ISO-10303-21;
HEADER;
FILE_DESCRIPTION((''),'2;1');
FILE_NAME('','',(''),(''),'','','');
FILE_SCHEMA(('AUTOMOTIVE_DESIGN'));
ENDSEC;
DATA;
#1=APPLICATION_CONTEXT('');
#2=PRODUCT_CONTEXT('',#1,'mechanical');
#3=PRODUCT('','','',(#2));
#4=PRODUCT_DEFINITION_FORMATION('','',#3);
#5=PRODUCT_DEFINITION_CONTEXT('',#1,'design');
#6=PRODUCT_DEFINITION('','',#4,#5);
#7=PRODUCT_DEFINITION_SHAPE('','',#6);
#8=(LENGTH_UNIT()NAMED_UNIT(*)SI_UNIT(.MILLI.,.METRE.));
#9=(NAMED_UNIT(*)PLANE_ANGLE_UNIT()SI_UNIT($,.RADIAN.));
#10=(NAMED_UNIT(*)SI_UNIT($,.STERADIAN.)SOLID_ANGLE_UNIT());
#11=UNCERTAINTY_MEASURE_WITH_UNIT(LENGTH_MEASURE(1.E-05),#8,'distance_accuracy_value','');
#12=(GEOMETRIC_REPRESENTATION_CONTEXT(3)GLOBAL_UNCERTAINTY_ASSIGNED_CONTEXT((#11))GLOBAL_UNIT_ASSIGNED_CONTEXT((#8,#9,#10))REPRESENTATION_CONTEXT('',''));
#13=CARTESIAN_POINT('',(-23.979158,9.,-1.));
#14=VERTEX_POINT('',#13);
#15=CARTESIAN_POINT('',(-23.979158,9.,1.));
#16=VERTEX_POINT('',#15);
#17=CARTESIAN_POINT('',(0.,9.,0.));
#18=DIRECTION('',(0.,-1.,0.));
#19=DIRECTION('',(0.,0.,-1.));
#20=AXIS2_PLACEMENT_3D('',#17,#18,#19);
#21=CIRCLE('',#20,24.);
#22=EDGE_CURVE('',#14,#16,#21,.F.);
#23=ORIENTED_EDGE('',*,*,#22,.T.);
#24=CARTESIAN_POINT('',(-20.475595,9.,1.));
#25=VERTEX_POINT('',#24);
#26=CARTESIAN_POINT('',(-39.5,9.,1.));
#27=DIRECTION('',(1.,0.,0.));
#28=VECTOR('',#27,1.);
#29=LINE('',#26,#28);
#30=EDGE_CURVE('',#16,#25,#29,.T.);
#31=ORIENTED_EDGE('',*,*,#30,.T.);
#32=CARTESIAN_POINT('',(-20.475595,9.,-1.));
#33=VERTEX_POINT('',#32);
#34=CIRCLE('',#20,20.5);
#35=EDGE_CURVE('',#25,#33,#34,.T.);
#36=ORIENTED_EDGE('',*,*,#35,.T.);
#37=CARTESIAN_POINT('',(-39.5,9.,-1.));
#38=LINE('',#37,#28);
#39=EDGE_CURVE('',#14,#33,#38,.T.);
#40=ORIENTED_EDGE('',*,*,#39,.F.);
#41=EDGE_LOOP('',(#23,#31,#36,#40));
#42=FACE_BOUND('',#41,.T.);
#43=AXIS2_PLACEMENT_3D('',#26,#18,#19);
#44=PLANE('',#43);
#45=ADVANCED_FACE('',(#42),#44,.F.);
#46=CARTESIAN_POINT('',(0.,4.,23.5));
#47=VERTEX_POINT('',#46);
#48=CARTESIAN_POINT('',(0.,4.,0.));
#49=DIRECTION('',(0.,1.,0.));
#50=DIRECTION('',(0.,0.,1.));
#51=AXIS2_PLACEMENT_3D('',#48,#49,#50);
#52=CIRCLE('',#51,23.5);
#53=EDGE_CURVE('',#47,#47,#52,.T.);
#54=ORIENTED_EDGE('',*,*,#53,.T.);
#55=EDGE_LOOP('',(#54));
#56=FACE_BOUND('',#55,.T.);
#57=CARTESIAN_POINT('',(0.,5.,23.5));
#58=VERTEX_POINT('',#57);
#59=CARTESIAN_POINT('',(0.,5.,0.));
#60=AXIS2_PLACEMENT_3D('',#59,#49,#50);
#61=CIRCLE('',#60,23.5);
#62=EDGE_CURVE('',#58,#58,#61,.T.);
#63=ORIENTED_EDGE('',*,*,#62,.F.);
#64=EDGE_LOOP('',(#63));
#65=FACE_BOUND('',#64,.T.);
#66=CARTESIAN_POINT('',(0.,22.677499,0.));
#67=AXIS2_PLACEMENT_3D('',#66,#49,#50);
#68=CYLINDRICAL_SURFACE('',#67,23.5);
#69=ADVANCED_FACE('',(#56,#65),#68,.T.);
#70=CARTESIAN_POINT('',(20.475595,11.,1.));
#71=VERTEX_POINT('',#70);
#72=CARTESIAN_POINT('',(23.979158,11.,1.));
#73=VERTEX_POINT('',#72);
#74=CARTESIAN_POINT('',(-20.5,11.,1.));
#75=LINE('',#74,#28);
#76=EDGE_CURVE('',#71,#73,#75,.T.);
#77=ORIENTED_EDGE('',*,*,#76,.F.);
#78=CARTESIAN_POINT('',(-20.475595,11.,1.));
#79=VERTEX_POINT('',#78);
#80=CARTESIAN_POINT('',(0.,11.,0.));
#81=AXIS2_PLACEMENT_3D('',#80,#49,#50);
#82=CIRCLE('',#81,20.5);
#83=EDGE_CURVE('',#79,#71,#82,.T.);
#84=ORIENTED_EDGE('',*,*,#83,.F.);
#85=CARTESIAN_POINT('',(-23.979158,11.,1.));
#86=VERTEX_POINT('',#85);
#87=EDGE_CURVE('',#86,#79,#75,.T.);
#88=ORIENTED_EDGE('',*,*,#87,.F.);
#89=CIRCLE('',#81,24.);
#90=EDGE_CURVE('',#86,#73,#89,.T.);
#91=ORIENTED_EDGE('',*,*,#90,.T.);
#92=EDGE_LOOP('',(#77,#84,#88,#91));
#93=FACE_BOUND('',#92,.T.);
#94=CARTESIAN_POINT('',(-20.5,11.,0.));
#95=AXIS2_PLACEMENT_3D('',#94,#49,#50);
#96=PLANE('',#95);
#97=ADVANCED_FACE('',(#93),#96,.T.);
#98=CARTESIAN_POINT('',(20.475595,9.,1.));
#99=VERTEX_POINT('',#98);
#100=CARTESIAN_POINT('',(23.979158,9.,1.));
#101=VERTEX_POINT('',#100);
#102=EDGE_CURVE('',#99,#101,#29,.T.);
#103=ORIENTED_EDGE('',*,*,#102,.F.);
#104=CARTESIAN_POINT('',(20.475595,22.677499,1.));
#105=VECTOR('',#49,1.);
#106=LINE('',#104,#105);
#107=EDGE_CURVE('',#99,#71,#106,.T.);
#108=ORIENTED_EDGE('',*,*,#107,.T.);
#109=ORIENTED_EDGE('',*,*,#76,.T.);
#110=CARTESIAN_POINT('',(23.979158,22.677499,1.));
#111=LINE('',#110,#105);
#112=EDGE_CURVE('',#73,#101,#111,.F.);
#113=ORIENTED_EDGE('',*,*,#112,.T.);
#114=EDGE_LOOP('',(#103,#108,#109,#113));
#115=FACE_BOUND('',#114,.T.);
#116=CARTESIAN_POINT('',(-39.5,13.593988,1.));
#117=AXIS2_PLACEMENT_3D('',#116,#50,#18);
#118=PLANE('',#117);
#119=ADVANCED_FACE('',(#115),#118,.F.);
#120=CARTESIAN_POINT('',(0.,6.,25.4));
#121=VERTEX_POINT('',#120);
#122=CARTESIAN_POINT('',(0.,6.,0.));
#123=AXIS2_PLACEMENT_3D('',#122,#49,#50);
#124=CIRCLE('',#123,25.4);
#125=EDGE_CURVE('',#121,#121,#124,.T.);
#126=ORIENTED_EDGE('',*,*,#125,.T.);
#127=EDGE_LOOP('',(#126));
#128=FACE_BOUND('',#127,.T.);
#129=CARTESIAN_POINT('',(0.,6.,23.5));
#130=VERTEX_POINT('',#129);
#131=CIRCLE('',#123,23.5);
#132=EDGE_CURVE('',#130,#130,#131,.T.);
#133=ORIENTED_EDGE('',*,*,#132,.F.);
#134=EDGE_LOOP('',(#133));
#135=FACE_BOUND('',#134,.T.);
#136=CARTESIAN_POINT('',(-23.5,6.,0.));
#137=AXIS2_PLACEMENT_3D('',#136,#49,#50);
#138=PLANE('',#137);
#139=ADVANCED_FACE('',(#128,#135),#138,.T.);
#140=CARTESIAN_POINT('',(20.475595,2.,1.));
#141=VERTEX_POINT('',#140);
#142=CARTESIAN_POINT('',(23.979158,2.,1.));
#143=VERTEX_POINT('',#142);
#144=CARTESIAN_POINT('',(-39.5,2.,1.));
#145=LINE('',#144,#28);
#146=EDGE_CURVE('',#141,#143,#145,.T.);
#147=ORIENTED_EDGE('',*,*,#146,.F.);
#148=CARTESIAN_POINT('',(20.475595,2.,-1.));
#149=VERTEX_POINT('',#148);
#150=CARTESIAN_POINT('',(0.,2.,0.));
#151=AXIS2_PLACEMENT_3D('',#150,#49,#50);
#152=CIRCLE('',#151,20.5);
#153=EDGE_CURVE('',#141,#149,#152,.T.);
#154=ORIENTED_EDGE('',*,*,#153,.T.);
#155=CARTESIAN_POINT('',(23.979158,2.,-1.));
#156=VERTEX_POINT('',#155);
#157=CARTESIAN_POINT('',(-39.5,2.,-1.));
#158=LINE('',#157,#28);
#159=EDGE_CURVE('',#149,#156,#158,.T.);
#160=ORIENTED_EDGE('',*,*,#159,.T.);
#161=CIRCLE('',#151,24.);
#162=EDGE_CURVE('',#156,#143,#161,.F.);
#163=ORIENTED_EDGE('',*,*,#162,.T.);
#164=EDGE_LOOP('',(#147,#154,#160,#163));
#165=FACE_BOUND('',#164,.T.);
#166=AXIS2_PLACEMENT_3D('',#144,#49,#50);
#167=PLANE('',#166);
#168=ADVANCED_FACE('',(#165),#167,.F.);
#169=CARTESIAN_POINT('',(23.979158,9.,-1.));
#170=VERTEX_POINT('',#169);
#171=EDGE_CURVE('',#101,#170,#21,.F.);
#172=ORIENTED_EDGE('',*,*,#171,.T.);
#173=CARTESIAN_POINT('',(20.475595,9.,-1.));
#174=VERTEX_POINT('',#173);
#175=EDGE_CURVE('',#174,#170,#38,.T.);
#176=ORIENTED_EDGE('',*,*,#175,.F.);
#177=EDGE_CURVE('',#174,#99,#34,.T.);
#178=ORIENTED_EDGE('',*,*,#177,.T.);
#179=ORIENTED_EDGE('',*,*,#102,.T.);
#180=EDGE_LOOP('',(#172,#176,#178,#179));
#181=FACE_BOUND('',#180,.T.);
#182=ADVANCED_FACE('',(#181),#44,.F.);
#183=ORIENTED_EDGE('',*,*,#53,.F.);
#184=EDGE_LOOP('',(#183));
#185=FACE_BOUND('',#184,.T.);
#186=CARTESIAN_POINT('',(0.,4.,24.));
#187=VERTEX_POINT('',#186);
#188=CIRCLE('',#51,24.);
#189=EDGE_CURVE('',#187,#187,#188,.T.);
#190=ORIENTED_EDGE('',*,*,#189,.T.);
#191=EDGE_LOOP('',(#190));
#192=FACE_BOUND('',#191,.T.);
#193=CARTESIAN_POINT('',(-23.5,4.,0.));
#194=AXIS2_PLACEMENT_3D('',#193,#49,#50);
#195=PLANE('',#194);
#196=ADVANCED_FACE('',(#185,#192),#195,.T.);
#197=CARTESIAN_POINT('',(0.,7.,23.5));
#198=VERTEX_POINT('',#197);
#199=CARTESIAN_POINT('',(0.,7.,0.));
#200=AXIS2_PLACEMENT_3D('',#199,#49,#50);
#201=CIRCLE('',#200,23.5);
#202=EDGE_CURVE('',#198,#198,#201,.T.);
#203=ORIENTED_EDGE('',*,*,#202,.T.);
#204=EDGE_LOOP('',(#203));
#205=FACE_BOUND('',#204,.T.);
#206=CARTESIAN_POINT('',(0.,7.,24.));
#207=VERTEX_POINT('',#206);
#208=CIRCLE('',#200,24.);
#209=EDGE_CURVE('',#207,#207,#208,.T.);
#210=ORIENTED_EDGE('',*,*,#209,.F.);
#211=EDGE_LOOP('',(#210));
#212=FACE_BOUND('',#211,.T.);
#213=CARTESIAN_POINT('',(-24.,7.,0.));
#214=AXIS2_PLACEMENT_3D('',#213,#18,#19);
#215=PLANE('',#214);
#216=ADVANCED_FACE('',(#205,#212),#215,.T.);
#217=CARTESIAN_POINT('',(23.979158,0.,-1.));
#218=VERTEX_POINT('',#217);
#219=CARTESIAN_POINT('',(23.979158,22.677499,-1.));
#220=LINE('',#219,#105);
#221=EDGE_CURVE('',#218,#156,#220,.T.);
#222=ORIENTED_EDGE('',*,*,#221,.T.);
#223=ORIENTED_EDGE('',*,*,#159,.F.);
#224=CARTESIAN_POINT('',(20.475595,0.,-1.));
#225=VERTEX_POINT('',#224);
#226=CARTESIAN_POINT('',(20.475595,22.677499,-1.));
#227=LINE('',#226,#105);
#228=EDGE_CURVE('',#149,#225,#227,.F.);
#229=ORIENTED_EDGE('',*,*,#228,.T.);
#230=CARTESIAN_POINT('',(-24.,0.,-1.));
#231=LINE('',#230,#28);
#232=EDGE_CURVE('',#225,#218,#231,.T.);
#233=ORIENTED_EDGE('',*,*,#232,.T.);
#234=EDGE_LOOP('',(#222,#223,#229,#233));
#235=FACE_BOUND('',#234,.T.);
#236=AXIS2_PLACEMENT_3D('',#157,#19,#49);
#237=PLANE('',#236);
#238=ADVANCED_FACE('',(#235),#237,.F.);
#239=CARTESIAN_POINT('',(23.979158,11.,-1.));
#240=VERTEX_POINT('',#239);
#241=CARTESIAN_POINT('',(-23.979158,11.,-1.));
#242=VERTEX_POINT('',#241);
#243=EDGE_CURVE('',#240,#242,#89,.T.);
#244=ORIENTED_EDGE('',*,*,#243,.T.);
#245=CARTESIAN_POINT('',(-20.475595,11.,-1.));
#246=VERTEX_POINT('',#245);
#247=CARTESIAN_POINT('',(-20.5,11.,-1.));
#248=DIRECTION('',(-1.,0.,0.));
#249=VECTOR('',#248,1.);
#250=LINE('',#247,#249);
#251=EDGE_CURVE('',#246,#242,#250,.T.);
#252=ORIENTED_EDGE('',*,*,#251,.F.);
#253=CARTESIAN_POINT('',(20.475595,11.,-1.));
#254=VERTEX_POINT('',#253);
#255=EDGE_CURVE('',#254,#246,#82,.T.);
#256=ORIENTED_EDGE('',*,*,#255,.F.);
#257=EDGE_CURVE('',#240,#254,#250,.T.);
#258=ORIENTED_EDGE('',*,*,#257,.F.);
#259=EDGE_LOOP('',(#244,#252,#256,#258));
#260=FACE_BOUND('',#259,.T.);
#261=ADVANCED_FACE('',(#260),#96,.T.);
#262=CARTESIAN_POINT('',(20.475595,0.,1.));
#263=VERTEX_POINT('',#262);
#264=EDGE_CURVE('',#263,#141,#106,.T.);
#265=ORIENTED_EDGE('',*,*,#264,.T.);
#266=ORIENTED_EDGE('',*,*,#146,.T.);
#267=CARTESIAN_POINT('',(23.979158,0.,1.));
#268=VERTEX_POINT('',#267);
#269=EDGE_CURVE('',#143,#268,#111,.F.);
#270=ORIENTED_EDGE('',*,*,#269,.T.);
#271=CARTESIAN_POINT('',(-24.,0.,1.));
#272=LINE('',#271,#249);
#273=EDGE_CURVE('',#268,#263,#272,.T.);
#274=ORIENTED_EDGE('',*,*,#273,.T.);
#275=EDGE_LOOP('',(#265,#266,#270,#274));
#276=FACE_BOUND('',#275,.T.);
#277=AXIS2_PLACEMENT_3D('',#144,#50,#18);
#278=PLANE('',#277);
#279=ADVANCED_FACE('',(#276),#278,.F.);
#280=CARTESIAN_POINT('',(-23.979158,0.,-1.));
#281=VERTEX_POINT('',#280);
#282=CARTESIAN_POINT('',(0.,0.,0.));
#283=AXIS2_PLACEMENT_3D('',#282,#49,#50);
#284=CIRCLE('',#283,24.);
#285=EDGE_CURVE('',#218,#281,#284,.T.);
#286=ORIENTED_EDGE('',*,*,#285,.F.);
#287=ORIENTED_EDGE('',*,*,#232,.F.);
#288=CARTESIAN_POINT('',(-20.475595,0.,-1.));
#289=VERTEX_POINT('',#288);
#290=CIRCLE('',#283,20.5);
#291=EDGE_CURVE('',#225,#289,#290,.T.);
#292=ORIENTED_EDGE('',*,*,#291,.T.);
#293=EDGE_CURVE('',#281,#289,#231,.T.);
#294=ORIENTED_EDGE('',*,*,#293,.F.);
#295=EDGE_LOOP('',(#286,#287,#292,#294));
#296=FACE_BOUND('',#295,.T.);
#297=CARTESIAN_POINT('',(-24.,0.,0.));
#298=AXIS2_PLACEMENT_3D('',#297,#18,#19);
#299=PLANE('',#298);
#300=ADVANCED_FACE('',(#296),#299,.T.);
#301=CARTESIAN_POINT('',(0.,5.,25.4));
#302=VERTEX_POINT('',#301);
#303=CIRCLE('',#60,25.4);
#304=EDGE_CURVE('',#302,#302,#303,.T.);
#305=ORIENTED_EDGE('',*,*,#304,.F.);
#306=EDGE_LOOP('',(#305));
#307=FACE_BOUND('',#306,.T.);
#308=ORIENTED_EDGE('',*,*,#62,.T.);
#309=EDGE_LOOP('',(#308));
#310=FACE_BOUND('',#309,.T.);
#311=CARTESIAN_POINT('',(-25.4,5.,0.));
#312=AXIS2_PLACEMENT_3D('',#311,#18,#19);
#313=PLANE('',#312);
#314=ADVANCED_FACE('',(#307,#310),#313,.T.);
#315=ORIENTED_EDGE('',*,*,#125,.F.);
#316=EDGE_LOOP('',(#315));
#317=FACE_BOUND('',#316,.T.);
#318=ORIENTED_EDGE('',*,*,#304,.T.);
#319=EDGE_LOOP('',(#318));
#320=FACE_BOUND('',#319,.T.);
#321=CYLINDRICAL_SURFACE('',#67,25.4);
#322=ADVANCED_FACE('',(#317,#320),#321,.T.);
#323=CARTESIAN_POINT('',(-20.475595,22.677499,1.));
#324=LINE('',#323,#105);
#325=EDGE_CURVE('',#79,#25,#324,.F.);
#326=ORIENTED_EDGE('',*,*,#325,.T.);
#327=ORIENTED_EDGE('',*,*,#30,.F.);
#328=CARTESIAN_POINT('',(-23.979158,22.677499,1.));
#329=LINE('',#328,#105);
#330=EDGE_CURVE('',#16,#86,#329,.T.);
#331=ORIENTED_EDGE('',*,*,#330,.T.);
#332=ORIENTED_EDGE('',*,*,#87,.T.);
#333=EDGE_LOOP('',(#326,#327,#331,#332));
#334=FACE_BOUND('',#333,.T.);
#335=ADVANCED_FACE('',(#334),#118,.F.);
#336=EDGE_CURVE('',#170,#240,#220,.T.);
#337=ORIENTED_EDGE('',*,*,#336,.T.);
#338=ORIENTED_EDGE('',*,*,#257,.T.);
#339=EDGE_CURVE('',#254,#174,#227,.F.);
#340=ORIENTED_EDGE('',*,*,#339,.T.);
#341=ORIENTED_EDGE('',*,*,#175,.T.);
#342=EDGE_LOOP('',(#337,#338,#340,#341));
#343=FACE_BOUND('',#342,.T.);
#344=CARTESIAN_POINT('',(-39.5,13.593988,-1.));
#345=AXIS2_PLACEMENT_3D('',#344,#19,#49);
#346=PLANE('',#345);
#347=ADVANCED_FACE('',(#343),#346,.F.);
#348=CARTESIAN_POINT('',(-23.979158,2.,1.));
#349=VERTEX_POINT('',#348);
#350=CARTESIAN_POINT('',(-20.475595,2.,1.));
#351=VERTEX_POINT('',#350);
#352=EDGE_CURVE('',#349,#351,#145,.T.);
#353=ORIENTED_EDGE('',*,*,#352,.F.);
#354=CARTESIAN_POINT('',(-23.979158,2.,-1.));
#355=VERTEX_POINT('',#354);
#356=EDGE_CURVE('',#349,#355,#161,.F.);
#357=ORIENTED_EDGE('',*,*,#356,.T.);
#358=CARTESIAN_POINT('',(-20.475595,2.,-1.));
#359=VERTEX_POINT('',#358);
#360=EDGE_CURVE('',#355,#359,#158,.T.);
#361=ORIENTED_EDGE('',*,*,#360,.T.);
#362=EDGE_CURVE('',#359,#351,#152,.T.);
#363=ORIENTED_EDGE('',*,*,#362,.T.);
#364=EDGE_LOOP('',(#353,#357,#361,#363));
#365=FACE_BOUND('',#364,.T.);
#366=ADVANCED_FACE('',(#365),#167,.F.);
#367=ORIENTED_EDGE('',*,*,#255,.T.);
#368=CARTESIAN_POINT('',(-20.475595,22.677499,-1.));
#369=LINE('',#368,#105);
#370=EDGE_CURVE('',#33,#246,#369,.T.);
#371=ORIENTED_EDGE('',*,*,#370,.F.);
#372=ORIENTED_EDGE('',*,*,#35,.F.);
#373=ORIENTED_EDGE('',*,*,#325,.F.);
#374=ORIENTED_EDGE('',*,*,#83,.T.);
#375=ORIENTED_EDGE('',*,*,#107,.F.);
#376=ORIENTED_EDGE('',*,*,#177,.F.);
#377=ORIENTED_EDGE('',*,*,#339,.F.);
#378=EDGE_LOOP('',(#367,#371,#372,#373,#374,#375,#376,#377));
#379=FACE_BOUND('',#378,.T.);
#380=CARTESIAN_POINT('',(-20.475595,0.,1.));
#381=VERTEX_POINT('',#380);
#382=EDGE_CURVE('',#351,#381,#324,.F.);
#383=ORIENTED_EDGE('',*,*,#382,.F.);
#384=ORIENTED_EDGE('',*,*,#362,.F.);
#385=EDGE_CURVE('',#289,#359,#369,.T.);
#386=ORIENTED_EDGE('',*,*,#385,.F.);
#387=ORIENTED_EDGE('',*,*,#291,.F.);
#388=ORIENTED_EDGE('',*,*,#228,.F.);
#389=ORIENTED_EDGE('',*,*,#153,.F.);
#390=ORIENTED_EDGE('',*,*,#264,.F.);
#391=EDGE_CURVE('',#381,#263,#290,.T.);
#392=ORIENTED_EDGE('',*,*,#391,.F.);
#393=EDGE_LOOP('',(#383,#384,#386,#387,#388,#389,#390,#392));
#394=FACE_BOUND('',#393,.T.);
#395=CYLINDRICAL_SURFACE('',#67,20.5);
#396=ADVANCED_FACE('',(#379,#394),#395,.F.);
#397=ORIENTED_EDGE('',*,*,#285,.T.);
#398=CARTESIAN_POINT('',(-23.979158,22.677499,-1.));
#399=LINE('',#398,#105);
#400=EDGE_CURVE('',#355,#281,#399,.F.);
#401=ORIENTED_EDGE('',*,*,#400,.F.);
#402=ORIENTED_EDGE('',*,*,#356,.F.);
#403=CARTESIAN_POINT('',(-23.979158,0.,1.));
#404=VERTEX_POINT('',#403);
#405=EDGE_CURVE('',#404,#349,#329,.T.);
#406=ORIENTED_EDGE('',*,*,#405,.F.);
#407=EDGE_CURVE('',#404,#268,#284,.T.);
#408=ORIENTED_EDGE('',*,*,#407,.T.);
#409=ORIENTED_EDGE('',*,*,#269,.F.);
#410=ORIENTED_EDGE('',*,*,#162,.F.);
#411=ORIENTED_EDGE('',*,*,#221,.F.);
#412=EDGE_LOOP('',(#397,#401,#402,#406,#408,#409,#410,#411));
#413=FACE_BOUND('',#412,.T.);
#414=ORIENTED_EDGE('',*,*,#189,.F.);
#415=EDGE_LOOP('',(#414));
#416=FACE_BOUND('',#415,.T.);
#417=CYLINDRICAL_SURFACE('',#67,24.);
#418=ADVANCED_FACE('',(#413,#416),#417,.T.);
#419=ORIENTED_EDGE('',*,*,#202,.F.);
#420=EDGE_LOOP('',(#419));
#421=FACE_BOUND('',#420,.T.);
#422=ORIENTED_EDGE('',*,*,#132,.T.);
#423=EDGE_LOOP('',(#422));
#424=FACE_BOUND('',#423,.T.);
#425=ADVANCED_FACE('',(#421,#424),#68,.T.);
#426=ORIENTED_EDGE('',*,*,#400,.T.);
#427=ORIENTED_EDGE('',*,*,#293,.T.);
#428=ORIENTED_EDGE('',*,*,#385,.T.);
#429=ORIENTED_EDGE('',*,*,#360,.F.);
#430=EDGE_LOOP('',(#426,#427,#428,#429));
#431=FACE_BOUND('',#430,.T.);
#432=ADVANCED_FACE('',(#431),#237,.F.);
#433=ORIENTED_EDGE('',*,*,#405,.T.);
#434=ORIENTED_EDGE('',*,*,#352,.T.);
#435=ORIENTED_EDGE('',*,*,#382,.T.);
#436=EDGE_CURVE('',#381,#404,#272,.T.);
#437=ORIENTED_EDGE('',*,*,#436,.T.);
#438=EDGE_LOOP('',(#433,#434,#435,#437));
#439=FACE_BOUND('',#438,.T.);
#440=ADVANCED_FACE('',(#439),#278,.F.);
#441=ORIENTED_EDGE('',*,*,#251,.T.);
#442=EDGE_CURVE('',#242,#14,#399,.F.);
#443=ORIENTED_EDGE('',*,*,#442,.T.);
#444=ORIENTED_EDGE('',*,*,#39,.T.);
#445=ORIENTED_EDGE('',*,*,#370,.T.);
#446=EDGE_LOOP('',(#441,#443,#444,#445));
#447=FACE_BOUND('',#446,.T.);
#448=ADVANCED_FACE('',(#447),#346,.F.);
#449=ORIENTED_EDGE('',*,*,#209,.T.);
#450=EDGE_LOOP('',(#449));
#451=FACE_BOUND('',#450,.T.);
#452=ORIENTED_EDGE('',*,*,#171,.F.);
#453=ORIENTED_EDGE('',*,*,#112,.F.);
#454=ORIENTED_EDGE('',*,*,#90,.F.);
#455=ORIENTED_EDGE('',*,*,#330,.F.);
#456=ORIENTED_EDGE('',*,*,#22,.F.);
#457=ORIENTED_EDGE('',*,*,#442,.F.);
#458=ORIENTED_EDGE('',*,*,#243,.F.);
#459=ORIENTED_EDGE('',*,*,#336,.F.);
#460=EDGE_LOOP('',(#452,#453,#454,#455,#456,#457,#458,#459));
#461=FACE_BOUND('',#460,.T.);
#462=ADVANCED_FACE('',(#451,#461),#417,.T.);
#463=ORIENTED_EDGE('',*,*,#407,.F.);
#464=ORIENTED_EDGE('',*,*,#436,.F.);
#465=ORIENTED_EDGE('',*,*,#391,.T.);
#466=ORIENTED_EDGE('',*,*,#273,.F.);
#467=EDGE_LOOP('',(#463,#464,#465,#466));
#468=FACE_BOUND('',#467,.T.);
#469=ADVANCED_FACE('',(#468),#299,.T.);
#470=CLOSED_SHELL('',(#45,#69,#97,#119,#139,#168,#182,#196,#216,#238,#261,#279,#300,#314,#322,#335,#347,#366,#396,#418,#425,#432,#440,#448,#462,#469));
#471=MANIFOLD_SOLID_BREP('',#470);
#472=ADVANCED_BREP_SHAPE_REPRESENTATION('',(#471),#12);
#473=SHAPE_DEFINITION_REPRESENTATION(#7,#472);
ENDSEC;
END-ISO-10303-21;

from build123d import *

# Parameters (mm, degrees)
SKETCH_2_W          = 2
SKETCH_2_H          = 4.593987872
SKETCH_2_H_2        = 6.667892238
CUT_EXTRUDE_1_DEPTH = 39.5


with BuildPart() as part:
    # 草图1 → 旋转1 (revolve)
    with BuildSketch(Plane.XY, mode=Mode.PRIVATE) as revolve_1_sk:
        Polygon((-20.5, 11), (-24, 11), (-24, 7), (-23.5, 7), (-23.5, 6), (-25.4, 6), (-25.4, 5), (-23.5, 5), (-23.5, 4), (-24, 4), (-24, 0), (-20.5, 0), align=None)
    revolve(revolve_1_sk.sketch.rotate(Axis((0, 22.677499451, 0), (0, -1, 0)), 270), axis=Axis((0, 22.677499451, 0), (0, -1, 0)))  # turned: the seam where the file's is

    # 草图2 → 切除-拉伸1 (cut, symmetric)
    with BuildSketch(Plane(origin=(0, 0, 0), x_dir=(0, 0, -1), z_dir=(1, 0, 0))):
        with Locations((0, 11.296993936)):
            Rectangle(SKETCH_2_W, SKETCH_2_H)
        with Locations((0, -1.333946119)):
            Rectangle(SKETCH_2_W, SKETCH_2_H_2)
    extrude(amount=CUT_EXTRUDE_1_DEPTH, both=True, mode=Mode.SUBTRACT)


solid = part.part
